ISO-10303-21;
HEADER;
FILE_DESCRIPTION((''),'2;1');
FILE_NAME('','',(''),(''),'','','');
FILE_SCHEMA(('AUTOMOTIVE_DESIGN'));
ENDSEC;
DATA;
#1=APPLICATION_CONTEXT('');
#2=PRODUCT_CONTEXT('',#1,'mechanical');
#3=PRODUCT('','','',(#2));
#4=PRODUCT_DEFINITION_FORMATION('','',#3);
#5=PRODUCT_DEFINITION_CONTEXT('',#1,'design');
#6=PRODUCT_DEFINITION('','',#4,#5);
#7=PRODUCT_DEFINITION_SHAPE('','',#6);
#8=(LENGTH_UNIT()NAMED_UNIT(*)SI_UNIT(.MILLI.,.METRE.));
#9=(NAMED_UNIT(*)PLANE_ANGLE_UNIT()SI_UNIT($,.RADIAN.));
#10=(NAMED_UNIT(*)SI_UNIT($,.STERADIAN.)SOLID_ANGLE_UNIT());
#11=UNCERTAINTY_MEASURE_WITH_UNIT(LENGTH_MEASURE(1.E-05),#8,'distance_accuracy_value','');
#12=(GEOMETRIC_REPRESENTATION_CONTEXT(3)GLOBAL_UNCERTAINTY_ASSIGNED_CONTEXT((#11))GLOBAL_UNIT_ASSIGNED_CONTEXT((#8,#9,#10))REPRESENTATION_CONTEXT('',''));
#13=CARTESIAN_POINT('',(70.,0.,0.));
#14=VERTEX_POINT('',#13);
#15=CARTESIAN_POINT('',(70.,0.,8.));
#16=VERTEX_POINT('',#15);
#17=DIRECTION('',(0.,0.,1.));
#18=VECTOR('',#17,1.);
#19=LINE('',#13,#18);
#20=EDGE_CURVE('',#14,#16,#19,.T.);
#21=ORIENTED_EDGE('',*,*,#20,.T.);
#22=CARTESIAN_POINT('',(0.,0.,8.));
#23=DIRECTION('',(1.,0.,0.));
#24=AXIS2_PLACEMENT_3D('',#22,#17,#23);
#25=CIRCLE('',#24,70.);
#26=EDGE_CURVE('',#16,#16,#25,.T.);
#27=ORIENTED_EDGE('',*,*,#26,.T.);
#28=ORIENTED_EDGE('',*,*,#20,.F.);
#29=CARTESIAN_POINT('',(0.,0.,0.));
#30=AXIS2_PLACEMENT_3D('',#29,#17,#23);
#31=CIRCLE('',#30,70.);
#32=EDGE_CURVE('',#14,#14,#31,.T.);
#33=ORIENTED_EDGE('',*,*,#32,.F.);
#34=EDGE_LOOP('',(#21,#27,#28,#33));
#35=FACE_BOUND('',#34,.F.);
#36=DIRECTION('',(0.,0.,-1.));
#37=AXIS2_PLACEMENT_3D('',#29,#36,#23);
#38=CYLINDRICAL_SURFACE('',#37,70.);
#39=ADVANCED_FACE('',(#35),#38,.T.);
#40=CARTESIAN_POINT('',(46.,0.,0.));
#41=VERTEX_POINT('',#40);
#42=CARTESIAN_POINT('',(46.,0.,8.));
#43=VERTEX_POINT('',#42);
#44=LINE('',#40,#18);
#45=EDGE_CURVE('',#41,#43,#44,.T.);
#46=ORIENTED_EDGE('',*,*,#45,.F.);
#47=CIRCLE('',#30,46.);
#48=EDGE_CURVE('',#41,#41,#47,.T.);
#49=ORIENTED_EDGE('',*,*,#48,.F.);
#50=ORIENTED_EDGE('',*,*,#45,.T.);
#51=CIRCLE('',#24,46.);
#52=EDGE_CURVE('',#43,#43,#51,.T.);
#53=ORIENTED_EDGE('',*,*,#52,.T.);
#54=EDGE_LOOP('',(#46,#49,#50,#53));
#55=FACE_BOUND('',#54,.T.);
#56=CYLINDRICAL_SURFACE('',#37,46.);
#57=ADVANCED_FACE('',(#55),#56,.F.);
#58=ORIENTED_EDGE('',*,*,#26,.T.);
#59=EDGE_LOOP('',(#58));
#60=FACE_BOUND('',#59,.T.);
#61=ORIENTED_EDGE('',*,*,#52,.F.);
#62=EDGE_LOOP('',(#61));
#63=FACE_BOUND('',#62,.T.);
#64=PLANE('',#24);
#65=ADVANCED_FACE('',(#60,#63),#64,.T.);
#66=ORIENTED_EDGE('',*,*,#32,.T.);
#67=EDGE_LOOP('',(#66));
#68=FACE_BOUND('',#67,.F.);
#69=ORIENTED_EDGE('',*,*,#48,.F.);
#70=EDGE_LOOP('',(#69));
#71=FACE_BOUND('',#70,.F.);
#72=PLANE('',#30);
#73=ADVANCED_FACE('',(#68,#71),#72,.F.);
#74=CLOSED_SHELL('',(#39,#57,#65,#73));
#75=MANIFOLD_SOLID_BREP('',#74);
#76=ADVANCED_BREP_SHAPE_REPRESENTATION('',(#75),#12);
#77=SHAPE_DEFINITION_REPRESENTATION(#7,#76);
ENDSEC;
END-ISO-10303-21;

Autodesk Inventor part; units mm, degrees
ref_plane "YZ Plane" through (0, 0, 0) normal (1, 0, 0) x (0, 1, 0)
ref_plane "XZ Plane" through (0, 0, 0) normal (0, 1, 0) x (-1, 0, 0)
ref_plane "XY Plane" through (0, 0, 0) normal (0, 0, 1) x (1, 0, 0)
sketch "Sketch2" plane through (0, 0, 0) normal (0, 0, 1) x (1, 0, 0)
  circle A0 centre (0, 0) radius 46
  circle A1 centre (0, 0) radius 70
  dimension "d25" = 92
  dimension "d27" = 140
extrude "Plate2" add sketch "Sketch2" along normal blind 8
equation "\"d14\" = Thickness"
equation "\"BendReliefWidth\" = Thickness"
equation "\"BendReliefDepth\" = 0.5 * Thickness"
equation "\"CornerReliefSize\" = 4 * Thickness"
equation "\"MinimumRemnant\" = 2 * Thickness"
equation "\"TransitionRadius\" = BendRadius"
equation "\"JacobiRadiusSize\" = BendRadius"
equation "\"GapSize\" = Thickness"
equation "\"Thickness\" = 8"
equation "\"BendRadius\" = 6"
properties part number "APN 1432 FDS free flange DN90" material "Steel"
